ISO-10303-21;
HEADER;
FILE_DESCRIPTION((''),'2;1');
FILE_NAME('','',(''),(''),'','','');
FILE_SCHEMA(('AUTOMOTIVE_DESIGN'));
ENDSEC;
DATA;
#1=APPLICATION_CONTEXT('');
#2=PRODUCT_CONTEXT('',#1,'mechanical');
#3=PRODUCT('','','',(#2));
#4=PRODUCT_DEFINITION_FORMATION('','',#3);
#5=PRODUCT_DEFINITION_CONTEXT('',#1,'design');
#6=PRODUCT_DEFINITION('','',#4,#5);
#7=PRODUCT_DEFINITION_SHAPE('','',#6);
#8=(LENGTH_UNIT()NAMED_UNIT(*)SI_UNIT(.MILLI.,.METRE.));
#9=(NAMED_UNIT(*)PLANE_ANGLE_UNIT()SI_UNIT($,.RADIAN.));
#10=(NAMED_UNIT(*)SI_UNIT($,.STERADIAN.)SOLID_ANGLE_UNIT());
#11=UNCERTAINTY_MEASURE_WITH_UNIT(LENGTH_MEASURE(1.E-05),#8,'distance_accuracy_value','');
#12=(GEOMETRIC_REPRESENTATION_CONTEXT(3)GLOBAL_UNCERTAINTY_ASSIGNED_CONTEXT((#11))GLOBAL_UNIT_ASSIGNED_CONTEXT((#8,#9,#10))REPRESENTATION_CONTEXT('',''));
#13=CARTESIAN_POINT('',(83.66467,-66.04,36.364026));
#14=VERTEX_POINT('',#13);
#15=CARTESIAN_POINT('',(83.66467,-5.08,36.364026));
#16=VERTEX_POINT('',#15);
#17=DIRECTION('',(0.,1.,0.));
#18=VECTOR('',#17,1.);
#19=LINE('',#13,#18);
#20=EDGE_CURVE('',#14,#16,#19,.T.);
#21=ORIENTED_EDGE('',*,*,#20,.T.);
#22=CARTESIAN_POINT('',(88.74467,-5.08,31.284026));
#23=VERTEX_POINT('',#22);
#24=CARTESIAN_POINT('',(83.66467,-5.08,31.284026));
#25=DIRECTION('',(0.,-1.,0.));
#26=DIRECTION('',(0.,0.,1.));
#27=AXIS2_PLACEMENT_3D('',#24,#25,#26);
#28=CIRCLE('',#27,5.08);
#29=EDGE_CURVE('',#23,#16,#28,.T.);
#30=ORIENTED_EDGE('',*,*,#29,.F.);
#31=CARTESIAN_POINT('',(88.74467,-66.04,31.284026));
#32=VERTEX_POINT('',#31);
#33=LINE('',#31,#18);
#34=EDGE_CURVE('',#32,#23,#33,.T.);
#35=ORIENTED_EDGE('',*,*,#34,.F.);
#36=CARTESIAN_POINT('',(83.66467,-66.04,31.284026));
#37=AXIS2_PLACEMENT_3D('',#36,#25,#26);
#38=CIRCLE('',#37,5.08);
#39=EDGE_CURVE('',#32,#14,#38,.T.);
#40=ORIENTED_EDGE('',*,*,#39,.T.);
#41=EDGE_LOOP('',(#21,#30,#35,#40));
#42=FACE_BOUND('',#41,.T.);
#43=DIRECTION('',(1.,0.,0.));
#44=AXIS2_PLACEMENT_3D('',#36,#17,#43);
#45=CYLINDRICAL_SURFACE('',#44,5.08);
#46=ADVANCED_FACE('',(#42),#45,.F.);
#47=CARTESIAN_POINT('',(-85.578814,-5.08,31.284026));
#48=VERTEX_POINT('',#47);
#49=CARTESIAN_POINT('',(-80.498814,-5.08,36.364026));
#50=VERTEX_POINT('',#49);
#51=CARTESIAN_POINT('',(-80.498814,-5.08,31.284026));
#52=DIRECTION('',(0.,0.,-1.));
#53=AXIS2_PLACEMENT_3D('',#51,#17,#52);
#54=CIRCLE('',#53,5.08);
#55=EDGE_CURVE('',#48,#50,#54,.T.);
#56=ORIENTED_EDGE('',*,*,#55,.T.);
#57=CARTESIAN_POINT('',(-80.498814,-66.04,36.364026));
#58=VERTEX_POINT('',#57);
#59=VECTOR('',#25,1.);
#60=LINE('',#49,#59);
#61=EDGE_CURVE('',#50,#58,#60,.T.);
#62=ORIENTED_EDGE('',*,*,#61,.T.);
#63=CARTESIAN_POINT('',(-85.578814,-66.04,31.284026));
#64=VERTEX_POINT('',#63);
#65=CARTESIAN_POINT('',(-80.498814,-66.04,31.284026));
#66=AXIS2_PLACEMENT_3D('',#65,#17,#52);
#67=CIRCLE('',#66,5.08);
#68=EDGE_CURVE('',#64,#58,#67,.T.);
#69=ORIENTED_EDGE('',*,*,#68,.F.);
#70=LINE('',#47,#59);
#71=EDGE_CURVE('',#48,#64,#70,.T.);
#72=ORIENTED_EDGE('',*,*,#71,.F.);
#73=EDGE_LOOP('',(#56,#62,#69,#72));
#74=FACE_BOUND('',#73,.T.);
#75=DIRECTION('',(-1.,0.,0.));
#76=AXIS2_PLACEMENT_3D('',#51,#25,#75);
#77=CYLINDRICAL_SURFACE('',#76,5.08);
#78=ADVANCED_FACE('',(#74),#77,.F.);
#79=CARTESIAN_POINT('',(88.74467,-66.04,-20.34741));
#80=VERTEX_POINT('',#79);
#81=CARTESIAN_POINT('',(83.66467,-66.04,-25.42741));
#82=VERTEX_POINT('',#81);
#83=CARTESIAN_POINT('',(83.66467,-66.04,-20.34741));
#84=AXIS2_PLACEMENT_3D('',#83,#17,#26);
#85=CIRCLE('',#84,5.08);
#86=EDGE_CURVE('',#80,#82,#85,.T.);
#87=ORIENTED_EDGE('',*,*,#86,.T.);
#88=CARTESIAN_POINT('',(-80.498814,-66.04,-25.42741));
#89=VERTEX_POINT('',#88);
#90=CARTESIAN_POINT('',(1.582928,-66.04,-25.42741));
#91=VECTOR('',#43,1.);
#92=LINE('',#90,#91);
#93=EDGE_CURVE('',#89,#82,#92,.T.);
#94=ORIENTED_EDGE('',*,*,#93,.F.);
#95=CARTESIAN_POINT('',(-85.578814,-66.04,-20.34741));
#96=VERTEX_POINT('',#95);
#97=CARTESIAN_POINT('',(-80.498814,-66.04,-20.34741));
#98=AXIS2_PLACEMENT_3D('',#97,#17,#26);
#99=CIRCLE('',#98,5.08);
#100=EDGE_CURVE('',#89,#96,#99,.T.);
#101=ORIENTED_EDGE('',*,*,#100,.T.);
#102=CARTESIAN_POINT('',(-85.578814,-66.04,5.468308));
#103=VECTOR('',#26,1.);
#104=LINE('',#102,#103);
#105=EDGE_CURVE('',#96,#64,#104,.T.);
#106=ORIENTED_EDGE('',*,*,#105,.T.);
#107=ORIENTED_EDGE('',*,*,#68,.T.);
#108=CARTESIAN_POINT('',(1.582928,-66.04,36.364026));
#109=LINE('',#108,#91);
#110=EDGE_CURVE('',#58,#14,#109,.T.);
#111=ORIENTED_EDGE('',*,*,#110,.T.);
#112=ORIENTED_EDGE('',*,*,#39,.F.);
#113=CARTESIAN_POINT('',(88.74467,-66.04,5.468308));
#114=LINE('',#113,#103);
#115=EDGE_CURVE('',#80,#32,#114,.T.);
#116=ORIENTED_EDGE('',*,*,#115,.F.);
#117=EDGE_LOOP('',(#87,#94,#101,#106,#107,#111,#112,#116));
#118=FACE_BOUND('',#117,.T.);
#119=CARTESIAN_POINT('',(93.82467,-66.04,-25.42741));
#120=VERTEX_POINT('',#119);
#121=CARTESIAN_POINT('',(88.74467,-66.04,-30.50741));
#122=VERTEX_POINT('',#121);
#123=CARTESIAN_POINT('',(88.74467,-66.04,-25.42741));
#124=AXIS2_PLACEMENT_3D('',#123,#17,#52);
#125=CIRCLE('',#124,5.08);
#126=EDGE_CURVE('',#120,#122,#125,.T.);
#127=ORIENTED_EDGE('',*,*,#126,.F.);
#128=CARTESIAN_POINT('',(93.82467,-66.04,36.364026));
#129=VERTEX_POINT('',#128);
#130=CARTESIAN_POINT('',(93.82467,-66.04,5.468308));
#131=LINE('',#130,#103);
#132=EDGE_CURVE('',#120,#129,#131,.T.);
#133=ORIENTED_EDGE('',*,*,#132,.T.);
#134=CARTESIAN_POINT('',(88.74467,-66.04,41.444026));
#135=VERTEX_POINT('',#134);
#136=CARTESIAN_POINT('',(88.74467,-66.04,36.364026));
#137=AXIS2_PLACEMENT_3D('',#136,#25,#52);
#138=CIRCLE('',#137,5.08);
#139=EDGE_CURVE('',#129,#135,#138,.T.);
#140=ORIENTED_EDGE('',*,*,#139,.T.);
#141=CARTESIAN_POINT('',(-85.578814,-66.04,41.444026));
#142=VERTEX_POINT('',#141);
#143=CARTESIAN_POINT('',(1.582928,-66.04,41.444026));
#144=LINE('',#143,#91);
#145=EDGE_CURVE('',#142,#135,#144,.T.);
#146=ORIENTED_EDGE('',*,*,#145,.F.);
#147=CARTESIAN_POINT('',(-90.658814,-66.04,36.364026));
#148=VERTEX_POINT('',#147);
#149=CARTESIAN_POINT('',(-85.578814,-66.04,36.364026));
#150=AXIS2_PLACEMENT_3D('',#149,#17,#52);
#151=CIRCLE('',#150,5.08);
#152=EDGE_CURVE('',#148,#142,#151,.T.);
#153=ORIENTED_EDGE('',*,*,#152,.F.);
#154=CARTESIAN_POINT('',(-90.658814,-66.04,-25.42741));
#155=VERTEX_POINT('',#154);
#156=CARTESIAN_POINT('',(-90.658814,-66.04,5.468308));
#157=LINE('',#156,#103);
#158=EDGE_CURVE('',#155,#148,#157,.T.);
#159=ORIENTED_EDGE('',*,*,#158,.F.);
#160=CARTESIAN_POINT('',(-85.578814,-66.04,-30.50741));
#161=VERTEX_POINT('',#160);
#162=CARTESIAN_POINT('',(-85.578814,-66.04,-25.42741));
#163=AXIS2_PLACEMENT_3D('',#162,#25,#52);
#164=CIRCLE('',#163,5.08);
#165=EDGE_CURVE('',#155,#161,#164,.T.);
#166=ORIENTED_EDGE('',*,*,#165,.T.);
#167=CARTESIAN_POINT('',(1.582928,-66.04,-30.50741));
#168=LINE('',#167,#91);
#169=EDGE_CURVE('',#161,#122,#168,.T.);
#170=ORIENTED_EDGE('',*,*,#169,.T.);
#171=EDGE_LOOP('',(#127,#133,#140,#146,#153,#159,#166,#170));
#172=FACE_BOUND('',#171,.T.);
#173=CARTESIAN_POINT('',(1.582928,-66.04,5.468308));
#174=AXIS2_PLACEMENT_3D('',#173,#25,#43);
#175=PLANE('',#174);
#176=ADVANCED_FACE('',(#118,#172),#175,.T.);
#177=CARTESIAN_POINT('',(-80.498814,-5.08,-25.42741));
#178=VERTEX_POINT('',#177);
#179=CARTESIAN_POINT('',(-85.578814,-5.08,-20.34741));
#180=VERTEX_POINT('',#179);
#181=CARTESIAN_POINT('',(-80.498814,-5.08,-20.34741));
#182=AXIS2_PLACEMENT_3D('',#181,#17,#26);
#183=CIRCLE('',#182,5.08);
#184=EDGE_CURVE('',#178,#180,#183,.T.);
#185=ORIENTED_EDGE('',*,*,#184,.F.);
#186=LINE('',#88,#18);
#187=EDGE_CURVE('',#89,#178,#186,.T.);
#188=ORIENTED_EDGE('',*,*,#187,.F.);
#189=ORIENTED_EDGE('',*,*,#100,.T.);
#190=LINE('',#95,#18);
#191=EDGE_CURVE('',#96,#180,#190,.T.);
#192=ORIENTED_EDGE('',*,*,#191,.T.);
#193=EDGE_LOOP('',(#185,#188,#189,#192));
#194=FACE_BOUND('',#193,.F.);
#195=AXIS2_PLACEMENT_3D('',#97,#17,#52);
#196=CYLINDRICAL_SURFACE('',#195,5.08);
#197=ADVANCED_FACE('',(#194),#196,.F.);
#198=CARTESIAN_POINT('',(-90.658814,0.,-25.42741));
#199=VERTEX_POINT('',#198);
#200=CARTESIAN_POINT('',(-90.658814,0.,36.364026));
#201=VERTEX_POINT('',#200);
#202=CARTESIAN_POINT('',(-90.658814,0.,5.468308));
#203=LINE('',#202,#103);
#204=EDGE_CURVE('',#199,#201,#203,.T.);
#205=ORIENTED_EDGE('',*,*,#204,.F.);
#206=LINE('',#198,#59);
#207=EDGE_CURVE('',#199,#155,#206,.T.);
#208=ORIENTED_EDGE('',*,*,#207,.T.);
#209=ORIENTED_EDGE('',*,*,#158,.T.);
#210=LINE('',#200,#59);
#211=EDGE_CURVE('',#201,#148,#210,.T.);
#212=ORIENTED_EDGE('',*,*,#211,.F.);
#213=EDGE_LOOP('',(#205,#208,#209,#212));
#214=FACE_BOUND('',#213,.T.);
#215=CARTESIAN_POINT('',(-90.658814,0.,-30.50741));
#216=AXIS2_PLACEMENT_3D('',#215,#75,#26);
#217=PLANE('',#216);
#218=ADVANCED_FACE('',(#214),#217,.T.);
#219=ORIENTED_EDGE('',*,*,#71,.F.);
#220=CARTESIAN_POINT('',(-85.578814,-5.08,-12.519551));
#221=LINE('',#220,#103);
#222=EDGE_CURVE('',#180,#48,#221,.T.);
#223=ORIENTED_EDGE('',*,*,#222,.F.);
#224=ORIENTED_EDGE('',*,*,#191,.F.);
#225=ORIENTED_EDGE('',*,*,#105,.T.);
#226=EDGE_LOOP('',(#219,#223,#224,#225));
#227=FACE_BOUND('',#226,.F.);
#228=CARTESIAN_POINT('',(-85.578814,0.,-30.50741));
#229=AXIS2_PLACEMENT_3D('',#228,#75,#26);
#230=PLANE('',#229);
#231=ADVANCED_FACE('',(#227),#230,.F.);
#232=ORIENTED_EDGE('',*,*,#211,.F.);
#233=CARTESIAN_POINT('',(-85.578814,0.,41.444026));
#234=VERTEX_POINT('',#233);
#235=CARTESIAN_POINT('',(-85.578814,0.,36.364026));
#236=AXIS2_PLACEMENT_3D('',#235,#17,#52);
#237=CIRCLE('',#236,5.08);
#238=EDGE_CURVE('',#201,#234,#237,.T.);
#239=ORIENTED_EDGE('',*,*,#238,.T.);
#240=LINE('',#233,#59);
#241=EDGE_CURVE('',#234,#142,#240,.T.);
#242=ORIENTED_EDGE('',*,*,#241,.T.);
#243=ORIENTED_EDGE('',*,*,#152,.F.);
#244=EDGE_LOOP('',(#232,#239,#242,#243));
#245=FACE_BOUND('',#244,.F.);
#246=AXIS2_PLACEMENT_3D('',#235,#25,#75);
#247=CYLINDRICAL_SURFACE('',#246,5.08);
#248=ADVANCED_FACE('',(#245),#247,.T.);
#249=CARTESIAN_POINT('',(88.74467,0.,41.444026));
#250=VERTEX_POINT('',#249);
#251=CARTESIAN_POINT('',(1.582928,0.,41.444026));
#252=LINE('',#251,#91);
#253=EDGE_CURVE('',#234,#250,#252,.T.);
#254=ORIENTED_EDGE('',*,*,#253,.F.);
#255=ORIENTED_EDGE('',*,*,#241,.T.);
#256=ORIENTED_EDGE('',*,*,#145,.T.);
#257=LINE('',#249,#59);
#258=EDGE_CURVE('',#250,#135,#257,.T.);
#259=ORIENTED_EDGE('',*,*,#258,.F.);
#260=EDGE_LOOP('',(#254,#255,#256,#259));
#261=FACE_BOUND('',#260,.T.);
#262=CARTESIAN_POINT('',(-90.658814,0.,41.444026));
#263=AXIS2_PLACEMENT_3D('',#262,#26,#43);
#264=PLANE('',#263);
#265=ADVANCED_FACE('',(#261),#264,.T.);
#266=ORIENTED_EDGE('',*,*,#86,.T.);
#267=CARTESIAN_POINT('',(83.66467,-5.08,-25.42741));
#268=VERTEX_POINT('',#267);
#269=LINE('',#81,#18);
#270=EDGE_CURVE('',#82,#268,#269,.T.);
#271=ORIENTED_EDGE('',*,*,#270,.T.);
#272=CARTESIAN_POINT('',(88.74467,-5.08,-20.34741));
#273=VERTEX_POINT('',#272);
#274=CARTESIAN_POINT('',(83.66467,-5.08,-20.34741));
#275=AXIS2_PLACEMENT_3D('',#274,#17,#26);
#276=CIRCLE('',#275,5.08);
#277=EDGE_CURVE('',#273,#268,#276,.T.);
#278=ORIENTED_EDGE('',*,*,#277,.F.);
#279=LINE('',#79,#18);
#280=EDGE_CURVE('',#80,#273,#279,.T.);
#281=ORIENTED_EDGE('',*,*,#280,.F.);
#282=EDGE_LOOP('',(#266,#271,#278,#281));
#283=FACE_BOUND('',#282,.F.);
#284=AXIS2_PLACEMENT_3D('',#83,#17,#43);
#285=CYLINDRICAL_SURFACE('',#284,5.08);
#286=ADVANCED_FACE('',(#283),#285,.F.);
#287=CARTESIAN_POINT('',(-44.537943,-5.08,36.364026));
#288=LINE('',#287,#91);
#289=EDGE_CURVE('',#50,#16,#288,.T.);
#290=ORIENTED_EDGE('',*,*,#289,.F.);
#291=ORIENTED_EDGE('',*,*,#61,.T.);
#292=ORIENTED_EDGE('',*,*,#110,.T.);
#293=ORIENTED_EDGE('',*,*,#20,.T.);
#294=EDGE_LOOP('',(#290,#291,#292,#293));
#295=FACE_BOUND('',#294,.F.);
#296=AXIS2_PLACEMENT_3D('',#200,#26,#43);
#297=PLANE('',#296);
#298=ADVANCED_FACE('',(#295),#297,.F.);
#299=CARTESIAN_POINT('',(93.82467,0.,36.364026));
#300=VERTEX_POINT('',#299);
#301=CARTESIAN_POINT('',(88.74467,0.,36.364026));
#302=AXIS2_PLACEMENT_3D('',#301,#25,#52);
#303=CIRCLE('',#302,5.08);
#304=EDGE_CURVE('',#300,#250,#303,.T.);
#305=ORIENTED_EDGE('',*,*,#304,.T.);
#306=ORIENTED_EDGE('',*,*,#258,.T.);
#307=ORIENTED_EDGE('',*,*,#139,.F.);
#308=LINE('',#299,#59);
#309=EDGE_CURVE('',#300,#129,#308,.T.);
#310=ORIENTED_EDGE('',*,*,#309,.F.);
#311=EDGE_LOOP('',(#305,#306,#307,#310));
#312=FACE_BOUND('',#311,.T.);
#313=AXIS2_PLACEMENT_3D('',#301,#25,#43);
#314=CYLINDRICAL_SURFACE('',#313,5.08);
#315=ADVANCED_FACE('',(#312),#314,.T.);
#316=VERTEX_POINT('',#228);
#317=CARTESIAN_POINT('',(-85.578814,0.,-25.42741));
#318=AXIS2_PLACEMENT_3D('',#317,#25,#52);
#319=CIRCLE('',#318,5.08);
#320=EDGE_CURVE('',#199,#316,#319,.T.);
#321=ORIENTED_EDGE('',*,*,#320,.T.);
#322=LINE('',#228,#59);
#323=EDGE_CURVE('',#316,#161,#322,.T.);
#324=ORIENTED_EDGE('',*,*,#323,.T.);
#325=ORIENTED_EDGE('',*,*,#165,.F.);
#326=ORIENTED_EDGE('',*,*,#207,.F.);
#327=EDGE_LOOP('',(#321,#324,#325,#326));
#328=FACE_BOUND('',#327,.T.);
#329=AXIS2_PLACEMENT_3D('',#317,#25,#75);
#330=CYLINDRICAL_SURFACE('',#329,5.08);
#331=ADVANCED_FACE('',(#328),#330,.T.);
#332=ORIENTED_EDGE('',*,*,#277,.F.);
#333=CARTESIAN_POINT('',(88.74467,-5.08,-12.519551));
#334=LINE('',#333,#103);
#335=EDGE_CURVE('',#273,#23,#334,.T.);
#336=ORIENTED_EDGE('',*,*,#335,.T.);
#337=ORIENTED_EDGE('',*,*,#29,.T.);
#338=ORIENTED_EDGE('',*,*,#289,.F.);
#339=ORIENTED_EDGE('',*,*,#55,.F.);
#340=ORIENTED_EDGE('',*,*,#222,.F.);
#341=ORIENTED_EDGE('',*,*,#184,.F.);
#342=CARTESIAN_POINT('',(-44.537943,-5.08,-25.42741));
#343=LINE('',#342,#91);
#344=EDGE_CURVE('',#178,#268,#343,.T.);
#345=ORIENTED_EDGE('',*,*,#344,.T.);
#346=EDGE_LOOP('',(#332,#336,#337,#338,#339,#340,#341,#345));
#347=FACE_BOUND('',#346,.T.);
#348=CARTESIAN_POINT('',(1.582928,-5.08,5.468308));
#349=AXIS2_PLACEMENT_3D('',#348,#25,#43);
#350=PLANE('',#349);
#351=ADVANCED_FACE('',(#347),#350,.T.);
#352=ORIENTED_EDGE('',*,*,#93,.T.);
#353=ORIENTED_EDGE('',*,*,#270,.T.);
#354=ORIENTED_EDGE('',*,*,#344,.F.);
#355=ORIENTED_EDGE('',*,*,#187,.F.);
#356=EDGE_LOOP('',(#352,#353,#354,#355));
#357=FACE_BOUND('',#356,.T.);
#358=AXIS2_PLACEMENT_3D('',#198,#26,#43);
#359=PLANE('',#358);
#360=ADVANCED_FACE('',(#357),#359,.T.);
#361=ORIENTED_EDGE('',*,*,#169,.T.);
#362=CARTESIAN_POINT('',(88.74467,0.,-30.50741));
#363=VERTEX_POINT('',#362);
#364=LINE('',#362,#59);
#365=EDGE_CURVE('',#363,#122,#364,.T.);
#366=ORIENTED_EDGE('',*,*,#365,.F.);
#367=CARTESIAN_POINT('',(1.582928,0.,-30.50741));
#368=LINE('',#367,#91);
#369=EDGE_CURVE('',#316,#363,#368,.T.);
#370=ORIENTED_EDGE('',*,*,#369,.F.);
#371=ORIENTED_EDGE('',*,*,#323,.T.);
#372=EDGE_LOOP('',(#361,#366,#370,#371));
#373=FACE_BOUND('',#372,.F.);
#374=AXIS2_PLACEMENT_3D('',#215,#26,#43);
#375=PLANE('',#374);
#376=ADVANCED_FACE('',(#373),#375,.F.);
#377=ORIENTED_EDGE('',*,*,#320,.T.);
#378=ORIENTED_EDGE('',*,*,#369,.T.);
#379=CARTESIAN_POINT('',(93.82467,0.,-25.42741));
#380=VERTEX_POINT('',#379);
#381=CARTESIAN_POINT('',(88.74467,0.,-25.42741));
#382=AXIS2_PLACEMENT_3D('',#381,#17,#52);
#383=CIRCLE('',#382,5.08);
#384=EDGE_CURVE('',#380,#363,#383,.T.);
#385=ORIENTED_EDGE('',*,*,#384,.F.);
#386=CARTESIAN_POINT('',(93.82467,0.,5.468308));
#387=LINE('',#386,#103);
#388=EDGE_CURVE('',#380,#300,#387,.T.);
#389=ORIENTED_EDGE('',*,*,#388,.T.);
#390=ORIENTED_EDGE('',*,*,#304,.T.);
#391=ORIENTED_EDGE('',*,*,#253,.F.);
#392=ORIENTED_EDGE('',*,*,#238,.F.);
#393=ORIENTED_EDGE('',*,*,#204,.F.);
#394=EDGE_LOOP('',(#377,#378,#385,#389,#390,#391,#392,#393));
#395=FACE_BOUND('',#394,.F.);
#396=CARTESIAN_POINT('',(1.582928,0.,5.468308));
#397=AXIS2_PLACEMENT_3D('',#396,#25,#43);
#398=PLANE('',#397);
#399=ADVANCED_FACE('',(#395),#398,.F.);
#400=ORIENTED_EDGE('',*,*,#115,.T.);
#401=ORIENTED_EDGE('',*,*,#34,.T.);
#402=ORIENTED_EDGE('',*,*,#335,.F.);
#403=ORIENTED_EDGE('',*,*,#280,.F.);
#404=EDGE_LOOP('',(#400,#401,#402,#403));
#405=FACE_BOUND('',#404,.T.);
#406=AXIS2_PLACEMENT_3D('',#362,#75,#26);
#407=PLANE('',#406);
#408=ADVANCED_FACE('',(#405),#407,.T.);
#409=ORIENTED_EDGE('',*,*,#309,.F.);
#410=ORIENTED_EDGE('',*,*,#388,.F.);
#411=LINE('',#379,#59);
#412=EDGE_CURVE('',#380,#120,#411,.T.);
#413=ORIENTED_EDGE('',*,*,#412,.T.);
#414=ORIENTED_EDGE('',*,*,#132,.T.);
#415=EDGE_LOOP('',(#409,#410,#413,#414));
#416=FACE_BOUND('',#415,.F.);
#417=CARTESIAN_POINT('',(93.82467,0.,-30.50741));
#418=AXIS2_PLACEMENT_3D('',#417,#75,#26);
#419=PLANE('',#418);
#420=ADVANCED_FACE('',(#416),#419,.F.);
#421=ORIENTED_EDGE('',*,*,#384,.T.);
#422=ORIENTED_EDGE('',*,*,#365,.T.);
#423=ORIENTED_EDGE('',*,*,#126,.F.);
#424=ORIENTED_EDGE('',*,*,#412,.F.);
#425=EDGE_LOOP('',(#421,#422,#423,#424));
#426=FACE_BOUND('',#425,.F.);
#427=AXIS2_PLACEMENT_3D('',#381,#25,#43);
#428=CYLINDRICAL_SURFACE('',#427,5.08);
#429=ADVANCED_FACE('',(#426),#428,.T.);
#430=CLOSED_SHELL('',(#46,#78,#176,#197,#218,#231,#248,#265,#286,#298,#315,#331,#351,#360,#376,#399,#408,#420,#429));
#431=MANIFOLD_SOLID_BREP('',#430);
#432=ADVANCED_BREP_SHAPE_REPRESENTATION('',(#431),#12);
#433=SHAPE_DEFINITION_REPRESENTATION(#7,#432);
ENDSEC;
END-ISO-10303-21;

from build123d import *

# Parameters (mm, degrees)
F0_W     = 184.4834834337
F0_H     = 71.9514358789
F1_DEPTH = 66.04
F2_T     = -5.08
F3_DEPTH = 33.02
F4_R     = 5.08
F5_R     = 5.08


with BuildPart() as f1:
    # F0 (on Front) → F1 (new body)
    with BuildSketch(Plane.XZ):
        with Locations((1.5829280019, 5.4683079943)):
            Rectangle(F0_W, F0_H)
    extrude(amount=F1_DEPTH)

    # F2
    f2_openings = [f1.faces().sort_by_distance(p)[0] for p in [
        (1.582928, -66.04, 5.468308),
    ]]
    offset(amount=F2_T, openings=f2_openings)

    # F3 (cut): a face of the model
    f3_faces = [f1.faces().sort_by_distance(p)[0] for p in [
        (1.5829280019, -5.08, 5.4683079943),
    ]]
    extrude(f3_faces, amount=F3_DEPTH, mode=Mode.SUBTRACT)

    # F4
    f4_edges = [f1.edges().sort_by_distance(p)[0] for p in [
        (-90.658814, -33.02, 41.444026),
        (93.82467, -33.02, 41.444026),
        (93.82467, -33.02, -30.50741),
        (-90.658814, -33.02, -30.50741),
    ]]
    fillet(f4_edges, radius=F4_R)

    # F5
    f5_edges = [f1.edges().sort_by_distance(p)[0] for p in [
        (-85.578814, -35.56, -25.42741),
        (88.74467, -35.56, -25.42741),
        (88.74467, -35.56, 36.364026),
        (-85.578814, -35.56, 36.364026),
    ]]
    fillet(f5_edges, radius=F5_R)


solid = f1.part
